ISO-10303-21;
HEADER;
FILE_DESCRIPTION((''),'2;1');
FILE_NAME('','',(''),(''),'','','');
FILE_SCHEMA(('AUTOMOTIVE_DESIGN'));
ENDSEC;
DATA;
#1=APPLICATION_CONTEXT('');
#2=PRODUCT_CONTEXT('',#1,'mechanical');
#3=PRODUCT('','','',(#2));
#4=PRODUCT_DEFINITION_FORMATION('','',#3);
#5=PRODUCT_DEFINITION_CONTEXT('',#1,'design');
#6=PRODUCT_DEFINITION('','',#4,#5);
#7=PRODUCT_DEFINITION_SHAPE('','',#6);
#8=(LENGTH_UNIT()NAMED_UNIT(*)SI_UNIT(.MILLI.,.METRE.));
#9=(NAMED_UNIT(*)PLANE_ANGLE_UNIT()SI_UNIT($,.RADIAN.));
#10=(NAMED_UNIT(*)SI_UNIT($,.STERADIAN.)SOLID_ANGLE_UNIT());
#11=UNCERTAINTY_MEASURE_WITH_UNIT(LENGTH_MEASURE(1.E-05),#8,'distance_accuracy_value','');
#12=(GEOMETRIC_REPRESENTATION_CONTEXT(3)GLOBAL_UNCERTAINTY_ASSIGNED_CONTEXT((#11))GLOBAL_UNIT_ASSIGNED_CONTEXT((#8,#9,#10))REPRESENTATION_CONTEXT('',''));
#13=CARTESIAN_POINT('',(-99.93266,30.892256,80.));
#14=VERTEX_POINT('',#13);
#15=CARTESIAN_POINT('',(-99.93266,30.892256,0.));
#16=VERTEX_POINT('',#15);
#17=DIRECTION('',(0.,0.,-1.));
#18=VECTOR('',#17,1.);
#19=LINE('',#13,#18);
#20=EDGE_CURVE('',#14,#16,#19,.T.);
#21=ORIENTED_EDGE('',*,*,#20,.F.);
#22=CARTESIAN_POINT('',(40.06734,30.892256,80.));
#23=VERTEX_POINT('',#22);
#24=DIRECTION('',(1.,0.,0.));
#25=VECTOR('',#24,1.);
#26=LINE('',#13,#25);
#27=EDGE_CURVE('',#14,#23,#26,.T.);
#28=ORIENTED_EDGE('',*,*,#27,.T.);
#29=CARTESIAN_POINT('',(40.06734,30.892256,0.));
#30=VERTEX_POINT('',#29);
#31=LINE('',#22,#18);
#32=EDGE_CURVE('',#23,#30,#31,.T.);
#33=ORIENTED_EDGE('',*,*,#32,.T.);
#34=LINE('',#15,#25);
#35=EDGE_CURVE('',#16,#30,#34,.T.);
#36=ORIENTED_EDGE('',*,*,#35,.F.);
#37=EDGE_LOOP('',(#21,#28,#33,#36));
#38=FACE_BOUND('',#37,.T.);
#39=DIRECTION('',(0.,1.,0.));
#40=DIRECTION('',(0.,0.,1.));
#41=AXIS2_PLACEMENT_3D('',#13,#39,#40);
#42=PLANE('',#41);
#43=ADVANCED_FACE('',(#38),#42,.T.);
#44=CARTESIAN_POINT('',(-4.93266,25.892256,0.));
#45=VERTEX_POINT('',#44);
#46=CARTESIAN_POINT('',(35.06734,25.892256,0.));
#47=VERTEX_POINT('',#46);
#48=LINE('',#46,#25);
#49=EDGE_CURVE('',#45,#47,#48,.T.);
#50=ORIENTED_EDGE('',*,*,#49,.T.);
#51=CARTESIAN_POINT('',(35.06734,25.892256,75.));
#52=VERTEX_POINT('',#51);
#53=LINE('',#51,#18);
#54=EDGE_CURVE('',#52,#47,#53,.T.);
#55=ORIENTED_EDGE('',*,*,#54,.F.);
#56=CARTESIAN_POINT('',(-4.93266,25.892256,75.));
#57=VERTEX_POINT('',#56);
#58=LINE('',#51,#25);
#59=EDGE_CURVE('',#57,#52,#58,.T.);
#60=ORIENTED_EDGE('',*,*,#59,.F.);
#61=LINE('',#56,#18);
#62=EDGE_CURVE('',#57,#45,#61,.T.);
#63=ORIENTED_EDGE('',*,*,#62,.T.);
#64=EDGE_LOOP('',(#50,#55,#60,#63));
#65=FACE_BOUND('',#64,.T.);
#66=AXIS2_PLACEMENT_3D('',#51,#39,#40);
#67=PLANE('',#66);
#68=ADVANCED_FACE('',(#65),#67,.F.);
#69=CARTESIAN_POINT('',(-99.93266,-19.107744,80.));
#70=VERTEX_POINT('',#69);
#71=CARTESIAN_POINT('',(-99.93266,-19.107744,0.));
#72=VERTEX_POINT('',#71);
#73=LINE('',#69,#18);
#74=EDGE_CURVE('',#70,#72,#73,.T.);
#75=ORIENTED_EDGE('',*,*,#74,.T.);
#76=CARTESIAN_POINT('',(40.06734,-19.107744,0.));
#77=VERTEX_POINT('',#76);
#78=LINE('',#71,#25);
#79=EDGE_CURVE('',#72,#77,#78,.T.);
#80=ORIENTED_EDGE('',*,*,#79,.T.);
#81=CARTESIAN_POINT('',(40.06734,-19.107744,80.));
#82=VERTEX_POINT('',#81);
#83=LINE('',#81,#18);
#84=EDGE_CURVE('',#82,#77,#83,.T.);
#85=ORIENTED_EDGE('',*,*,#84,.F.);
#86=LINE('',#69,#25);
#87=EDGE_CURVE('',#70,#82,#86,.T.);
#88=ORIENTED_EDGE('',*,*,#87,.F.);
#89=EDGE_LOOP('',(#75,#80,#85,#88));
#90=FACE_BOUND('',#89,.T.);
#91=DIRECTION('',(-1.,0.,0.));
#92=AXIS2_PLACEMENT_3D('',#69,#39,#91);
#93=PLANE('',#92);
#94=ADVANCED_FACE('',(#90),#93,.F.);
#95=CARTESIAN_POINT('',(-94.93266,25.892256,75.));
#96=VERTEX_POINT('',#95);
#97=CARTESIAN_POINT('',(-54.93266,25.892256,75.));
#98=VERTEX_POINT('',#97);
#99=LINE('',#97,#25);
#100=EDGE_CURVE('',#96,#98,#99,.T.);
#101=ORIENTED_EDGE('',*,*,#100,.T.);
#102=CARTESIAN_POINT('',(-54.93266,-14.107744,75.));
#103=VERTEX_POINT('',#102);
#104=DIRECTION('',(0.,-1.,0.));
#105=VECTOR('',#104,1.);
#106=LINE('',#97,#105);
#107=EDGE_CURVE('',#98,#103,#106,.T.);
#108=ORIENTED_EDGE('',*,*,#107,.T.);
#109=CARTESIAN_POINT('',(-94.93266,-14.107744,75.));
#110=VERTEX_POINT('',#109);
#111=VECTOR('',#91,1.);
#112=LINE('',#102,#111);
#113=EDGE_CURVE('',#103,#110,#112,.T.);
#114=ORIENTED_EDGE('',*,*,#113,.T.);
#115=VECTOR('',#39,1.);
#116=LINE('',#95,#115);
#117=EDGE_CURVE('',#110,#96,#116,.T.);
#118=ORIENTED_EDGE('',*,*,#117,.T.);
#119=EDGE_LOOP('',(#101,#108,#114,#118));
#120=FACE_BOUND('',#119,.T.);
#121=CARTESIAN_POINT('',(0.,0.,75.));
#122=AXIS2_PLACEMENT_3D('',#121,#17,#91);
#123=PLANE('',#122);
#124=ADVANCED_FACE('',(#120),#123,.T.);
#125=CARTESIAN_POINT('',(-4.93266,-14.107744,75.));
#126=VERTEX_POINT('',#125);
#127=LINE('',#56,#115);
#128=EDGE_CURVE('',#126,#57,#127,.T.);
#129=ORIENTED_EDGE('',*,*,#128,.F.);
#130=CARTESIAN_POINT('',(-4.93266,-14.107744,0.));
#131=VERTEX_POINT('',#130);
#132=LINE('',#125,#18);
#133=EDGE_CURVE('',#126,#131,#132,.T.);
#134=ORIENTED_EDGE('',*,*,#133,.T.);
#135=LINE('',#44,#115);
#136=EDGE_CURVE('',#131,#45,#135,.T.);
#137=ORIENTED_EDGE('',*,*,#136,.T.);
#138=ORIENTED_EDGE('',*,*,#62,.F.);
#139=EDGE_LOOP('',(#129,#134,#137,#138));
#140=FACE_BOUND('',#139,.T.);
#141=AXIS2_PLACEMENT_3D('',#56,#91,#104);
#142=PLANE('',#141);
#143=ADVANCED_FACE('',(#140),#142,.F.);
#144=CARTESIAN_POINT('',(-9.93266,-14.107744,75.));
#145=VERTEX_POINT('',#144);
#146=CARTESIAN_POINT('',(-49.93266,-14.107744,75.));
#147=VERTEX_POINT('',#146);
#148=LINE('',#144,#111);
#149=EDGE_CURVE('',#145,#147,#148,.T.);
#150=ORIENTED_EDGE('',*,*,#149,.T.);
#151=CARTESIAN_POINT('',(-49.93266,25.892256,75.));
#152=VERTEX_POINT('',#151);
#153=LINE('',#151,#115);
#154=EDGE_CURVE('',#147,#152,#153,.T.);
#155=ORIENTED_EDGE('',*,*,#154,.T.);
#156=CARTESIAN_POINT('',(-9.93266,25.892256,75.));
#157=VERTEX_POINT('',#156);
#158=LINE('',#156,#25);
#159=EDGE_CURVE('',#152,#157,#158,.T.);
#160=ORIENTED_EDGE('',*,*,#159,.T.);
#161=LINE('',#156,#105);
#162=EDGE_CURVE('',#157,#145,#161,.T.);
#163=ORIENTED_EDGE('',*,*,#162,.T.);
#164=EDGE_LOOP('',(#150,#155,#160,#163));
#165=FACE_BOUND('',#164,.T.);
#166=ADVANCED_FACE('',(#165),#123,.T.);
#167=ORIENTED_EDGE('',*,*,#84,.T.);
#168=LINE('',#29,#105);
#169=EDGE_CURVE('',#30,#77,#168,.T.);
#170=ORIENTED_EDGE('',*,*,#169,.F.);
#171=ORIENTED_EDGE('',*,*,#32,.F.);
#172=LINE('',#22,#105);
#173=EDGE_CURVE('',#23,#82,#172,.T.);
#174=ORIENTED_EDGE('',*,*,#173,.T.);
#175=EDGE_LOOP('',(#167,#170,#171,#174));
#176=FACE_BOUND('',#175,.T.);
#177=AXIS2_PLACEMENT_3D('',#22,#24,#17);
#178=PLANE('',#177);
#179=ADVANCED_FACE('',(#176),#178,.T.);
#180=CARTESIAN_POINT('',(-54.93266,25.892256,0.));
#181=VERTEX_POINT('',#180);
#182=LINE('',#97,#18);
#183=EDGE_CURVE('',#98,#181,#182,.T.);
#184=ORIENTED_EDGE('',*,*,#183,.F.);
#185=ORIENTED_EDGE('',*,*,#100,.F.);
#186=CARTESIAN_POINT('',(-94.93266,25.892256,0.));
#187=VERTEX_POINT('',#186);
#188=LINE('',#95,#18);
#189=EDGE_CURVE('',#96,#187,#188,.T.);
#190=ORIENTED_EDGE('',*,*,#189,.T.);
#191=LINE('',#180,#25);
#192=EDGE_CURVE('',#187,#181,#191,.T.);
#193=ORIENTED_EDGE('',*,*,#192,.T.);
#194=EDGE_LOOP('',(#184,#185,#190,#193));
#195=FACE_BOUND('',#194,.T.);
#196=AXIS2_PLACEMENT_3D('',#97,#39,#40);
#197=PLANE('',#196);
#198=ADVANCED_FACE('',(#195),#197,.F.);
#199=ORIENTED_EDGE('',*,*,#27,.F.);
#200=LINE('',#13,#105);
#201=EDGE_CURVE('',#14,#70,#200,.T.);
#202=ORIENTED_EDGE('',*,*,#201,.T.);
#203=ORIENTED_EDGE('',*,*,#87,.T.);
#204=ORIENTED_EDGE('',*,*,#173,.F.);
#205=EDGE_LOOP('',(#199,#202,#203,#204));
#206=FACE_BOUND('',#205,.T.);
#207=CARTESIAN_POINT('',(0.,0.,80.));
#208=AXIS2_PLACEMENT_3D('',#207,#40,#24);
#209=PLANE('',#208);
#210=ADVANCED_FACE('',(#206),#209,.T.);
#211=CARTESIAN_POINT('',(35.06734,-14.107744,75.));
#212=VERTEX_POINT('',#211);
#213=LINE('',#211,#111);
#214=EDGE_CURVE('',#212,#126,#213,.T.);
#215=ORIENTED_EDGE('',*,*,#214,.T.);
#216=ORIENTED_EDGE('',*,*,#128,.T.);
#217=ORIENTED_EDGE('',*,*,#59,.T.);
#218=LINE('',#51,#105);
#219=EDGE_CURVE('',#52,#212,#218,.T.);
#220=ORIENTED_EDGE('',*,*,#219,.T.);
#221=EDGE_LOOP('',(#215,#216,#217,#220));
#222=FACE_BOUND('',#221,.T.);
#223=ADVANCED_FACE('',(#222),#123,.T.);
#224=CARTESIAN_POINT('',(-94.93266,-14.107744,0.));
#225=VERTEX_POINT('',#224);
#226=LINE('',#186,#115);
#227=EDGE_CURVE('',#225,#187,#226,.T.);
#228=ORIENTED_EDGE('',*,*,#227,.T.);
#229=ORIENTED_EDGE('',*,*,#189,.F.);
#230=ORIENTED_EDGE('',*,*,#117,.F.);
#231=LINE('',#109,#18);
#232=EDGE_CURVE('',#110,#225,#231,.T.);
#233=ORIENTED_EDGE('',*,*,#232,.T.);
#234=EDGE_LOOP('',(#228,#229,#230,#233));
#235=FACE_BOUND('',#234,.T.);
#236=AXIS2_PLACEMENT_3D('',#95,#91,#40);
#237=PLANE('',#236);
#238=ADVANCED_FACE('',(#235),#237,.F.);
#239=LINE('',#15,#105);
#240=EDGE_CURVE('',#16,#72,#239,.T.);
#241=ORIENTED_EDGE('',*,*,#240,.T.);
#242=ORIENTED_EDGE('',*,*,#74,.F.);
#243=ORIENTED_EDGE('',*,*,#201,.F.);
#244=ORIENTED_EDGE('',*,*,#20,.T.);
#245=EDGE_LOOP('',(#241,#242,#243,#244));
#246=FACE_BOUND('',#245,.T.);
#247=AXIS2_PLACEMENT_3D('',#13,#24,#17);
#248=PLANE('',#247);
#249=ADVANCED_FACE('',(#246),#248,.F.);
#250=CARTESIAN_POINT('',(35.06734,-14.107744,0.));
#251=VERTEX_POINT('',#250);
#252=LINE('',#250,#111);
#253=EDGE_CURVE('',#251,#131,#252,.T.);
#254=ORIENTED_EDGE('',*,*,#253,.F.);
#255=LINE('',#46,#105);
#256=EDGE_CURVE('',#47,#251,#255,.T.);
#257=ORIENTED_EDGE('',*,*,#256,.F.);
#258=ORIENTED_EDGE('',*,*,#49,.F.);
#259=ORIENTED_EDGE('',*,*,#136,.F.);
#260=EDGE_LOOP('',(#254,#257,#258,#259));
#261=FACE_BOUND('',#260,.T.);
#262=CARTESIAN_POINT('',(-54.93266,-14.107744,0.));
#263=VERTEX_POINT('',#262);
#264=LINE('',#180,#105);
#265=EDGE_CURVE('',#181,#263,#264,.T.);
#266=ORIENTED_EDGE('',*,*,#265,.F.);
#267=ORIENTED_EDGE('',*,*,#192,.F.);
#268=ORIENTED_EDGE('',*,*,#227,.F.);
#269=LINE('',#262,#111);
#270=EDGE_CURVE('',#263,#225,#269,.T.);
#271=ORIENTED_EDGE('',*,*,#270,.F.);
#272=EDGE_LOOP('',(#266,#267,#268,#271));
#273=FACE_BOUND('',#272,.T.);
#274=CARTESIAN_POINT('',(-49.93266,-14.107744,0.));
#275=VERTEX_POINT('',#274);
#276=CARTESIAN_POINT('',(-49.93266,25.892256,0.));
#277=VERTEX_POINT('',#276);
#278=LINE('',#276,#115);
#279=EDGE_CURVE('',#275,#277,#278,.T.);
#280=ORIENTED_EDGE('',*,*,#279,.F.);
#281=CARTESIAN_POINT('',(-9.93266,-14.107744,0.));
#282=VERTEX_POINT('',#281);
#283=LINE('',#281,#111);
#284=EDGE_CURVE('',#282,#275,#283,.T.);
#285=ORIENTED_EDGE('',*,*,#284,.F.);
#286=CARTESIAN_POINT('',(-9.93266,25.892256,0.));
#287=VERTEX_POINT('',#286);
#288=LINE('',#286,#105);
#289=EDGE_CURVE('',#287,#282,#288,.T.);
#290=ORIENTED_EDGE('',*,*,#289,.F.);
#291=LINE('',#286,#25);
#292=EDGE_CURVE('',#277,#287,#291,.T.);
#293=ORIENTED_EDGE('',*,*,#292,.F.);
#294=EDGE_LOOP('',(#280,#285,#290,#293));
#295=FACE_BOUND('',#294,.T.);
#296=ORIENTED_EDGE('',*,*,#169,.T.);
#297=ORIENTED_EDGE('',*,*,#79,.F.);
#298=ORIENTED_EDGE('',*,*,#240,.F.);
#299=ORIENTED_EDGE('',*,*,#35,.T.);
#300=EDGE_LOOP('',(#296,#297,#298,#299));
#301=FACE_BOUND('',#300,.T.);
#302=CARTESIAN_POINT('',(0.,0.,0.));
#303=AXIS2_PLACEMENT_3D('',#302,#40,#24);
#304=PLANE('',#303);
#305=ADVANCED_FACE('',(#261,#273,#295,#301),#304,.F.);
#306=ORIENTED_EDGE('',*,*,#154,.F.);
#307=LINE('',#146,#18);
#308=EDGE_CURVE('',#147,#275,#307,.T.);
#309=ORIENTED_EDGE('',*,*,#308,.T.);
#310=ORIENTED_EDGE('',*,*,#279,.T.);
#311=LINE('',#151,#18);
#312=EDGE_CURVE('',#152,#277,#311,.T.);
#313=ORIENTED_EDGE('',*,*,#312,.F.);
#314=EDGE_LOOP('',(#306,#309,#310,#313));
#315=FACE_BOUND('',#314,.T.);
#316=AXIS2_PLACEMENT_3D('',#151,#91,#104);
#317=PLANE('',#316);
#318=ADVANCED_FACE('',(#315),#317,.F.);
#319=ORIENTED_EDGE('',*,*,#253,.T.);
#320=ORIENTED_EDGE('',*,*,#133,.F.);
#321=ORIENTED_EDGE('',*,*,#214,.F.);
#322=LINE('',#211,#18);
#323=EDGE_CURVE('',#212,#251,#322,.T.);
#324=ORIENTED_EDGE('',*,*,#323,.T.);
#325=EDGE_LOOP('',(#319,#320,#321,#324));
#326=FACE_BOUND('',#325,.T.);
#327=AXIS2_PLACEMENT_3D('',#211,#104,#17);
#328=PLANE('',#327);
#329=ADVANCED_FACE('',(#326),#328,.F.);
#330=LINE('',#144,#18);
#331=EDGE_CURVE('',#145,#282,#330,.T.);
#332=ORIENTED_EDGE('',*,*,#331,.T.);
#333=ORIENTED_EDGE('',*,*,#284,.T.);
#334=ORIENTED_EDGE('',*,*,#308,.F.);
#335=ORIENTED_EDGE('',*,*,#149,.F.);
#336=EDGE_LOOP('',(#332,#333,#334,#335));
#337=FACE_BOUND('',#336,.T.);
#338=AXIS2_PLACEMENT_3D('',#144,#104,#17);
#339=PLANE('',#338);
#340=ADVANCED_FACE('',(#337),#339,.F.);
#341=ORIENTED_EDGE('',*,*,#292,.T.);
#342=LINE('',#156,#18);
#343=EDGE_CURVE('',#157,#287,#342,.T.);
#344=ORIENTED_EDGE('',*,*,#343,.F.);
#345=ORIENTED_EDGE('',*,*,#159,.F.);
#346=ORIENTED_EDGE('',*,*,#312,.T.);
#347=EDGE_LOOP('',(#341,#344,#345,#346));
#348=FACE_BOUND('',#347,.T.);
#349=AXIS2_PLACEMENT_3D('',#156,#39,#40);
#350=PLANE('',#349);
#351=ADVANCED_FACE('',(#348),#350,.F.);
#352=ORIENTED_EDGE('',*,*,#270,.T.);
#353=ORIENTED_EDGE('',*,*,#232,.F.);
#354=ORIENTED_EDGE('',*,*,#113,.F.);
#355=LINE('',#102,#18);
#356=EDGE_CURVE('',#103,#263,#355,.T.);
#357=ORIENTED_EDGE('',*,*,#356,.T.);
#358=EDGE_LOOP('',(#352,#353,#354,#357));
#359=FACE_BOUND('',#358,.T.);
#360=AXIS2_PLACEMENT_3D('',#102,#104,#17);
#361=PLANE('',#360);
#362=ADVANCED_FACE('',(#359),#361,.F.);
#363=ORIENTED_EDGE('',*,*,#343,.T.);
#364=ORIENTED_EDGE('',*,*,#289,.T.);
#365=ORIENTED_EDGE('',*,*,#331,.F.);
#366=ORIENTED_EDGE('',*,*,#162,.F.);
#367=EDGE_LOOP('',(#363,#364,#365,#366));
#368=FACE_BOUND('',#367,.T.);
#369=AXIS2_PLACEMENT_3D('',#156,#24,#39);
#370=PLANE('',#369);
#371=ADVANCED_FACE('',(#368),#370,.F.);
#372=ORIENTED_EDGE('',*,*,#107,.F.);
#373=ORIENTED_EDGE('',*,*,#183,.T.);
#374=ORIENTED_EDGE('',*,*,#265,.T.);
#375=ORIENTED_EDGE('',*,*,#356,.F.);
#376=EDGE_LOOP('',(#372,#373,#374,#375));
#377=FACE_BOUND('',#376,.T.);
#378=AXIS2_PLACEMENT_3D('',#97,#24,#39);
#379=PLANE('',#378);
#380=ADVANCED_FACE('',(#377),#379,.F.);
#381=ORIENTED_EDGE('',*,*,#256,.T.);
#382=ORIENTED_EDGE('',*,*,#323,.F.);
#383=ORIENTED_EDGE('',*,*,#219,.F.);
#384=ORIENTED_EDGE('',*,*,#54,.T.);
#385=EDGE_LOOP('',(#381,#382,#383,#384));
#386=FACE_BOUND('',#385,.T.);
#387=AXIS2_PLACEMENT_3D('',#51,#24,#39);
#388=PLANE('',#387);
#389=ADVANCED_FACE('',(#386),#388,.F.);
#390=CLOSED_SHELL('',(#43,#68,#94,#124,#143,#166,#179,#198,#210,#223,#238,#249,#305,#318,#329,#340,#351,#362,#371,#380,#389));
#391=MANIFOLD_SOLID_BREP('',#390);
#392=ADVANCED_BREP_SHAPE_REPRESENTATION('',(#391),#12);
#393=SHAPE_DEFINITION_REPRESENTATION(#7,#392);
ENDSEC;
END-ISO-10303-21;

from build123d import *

# Parameters (mm, degrees)
SKETCH_1_W          = 140
SKETCH_1_H          = 50
EXTRUDE_1_DEPTH     = 80
SKETCH_3_W          = 40
SKETCH_3_H          = 40
CUT_EXTRUDE_3_DEPTH = 75


with BuildPart() as part:
    # 草图1 → 凸台-拉伸1 (new body)
    with BuildSketch(Plane.XY):
        with Locations((-29.932659933, 5.892255892)):
            Rectangle(SKETCH_1_W, SKETCH_1_H)
    extrude(amount=EXTRUDE_1_DEPTH)

    # 草图3 → 切除-拉伸3 (cut)
    with BuildSketch(Plane(origin=(0, 0, 0), x_dir=(-1, 0, 0), z_dir=(0, 0, -1))):
        with Locations((29.932659933, 5.892255892)):
            Rectangle(SKETCH_3_W, SKETCH_3_H)
        with Locations((-15.067340067, 5.892255892)):
            Rectangle(SKETCH_3_W, SKETCH_3_H)
        with Locations((74.932659933, 5.892255892)):
            Rectangle(SKETCH_3_W, SKETCH_3_H)
    extrude(amount=-CUT_EXTRUDE_3_DEPTH, mode=Mode.SUBTRACT)


solid = part.part
